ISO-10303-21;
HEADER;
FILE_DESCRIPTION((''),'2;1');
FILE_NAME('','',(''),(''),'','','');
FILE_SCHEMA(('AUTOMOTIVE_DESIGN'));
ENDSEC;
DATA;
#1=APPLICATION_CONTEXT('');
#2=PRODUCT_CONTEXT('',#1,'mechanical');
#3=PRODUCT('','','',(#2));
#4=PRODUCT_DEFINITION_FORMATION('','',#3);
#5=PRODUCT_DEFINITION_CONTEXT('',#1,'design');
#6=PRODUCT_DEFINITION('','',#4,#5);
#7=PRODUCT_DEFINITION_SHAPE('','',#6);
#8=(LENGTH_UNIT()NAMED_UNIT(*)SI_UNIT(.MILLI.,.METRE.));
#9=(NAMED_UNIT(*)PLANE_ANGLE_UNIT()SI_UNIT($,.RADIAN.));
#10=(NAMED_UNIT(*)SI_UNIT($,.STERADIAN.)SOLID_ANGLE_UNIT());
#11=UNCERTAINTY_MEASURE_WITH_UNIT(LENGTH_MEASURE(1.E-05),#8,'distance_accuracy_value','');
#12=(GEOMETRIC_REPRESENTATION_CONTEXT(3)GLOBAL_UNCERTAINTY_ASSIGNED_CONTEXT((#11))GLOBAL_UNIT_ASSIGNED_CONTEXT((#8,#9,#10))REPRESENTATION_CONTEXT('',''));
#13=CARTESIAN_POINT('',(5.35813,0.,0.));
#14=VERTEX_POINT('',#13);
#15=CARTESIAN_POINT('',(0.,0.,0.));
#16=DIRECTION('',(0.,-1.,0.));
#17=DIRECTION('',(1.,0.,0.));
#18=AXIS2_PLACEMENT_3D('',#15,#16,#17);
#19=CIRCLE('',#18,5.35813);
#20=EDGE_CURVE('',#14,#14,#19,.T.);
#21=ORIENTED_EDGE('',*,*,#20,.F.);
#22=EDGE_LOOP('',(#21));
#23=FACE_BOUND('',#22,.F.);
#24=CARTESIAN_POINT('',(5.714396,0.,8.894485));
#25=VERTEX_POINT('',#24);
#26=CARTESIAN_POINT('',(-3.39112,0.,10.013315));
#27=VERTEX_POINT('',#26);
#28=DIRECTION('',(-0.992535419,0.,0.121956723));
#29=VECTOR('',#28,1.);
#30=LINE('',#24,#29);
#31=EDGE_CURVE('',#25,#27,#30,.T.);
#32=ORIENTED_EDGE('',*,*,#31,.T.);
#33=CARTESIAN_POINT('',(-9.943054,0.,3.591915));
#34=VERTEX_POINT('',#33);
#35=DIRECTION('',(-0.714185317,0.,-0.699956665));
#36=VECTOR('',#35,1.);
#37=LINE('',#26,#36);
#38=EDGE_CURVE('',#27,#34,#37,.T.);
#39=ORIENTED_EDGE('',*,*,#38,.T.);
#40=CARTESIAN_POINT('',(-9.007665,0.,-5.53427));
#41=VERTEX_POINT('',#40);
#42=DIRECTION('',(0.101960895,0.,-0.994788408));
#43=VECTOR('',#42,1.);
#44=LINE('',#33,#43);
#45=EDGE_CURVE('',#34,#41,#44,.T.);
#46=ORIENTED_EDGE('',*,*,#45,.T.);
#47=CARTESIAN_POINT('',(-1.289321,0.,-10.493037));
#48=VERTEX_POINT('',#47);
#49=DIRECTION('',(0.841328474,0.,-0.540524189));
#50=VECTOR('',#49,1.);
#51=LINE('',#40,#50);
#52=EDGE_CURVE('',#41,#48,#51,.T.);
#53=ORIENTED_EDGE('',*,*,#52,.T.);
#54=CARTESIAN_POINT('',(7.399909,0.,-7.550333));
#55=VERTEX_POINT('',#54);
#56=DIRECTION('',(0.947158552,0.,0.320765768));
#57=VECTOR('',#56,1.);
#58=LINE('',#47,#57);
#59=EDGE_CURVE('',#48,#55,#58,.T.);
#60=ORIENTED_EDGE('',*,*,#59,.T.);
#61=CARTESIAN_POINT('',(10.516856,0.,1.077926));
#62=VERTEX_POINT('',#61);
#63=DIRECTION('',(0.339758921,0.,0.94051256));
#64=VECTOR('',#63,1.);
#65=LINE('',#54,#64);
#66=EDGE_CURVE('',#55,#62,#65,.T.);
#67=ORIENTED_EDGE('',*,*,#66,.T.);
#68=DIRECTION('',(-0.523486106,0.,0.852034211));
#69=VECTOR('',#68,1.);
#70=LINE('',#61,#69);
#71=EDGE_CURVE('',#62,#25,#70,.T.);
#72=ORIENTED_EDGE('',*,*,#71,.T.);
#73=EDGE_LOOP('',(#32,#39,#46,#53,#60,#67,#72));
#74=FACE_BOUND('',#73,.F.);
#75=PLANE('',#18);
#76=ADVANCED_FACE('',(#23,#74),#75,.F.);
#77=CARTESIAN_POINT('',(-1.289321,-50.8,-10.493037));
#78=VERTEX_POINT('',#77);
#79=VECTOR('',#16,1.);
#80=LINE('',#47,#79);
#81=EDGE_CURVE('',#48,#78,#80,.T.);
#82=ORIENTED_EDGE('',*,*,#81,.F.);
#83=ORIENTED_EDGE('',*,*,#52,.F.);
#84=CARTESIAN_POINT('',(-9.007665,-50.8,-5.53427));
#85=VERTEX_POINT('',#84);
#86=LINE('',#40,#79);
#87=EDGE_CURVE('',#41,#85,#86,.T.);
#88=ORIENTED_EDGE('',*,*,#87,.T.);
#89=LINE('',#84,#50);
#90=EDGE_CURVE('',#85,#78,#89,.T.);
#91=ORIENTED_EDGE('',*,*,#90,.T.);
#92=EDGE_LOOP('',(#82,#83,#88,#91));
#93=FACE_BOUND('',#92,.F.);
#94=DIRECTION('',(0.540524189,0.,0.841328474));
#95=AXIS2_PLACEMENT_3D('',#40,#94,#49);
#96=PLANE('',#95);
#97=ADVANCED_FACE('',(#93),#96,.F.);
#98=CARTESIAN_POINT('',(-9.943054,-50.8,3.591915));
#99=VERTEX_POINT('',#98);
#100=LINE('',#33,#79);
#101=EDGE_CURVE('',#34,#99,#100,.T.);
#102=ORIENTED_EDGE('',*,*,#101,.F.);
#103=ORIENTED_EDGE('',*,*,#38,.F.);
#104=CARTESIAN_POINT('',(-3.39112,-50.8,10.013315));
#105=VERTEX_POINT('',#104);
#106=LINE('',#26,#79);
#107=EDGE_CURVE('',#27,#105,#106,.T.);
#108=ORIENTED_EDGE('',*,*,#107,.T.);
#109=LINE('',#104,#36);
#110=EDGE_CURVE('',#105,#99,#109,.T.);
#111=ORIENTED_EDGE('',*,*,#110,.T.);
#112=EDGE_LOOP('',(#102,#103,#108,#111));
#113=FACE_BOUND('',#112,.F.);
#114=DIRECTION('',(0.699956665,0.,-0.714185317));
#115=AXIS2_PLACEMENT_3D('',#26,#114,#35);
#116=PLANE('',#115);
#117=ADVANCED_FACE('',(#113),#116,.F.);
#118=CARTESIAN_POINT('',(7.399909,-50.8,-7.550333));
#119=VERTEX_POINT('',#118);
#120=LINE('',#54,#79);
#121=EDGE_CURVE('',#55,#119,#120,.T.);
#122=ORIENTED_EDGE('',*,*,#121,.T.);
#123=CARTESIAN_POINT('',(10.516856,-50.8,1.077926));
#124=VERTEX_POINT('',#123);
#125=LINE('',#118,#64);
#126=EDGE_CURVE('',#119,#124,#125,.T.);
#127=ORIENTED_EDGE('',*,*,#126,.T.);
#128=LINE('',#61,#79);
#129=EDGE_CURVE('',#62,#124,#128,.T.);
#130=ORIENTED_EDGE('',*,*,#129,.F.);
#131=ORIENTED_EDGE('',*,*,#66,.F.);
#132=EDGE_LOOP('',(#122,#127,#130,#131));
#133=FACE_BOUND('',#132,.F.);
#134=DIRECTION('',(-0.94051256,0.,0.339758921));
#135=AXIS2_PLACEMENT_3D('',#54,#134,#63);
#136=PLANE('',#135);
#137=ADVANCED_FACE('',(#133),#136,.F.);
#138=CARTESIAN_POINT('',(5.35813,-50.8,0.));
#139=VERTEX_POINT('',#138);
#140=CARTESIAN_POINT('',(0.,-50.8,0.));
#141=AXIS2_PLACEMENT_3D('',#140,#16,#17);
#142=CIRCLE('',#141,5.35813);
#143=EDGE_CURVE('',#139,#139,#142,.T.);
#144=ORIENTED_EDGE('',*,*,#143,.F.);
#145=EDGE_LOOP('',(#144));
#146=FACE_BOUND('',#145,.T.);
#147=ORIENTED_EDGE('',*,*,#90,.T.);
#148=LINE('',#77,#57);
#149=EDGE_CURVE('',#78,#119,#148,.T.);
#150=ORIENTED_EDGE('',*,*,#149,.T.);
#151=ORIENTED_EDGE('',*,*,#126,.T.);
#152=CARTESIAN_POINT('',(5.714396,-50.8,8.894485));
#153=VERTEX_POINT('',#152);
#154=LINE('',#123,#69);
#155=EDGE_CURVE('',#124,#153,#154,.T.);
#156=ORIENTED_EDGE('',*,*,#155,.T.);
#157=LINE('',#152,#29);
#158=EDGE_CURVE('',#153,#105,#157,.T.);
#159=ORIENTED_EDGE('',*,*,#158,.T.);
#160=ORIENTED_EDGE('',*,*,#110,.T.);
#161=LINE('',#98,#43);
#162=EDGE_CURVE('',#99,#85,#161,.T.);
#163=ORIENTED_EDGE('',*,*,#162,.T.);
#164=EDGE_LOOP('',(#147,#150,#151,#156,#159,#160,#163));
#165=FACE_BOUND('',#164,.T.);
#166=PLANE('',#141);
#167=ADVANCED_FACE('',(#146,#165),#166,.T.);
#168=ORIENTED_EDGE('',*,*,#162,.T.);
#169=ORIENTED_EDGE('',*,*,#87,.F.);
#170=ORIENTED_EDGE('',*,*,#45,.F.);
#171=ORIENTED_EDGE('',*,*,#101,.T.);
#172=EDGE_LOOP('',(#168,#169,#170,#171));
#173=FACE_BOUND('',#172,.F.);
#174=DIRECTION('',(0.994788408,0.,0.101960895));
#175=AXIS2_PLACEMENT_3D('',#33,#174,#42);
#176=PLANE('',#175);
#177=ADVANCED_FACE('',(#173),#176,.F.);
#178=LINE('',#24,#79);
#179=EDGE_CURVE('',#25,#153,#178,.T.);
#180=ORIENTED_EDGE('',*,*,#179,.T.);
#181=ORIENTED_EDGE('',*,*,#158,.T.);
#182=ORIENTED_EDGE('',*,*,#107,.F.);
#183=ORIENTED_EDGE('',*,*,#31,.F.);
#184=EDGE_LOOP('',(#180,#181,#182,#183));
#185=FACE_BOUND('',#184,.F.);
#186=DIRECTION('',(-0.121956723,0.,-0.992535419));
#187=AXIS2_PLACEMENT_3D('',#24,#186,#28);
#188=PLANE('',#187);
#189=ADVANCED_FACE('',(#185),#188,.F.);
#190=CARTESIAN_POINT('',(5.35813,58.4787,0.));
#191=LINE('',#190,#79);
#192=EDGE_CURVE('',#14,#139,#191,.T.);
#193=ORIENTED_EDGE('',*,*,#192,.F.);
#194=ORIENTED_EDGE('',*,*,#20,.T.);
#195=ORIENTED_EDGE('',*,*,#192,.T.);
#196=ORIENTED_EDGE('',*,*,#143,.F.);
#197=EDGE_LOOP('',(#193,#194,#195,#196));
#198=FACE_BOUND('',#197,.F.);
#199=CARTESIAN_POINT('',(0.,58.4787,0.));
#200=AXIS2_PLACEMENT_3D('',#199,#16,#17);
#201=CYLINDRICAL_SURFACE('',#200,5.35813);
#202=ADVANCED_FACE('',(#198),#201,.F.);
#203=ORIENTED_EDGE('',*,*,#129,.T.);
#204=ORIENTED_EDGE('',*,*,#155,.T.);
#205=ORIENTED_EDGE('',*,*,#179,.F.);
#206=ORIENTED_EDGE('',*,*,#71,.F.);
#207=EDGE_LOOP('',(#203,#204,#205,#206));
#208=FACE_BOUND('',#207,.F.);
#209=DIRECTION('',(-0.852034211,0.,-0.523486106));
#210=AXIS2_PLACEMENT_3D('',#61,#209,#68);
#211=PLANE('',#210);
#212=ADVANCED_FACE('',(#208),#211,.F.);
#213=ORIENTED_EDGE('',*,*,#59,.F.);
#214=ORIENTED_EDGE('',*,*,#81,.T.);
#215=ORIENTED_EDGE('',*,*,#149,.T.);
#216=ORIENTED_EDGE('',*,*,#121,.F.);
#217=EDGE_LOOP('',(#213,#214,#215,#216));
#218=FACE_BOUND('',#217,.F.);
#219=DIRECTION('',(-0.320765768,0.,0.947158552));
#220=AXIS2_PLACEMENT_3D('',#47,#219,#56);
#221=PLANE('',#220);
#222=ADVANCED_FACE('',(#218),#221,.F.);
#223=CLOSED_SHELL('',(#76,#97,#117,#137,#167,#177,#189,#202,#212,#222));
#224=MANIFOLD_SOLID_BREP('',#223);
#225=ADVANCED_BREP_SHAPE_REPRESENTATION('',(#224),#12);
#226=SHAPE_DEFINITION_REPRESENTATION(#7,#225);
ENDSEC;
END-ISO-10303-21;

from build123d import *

# Parameters (mm, degrees)
F1_DEPTH = 50.8
F3_D     = 10.71626


with BuildPart() as f1:
    # F0 (on Front) → F1 (new body)
    with BuildSketch(Plane.XZ):
        Polygon((5.7143960067, 8.8944845927), (-3.391120441, 10.0133151377), (-9.9430540303, 3.5919151496), (-9.0076651335, -5.5342702079), (-1.2893206683, -10.4930372203), (7.3999085575, -7.5503331868), (10.5168557089, 1.077925735), align=None)
    extrude(amount=F1_DEPTH)

    # F3 (through all)
    with Locations(Plane(origin=(0, 0, 0), x_dir=(-1, 0, 0), z_dir=(0, 1, 0))):
        with Locations((0, 0)):
            Hole(F3_D / 2)


solid = f1.part
